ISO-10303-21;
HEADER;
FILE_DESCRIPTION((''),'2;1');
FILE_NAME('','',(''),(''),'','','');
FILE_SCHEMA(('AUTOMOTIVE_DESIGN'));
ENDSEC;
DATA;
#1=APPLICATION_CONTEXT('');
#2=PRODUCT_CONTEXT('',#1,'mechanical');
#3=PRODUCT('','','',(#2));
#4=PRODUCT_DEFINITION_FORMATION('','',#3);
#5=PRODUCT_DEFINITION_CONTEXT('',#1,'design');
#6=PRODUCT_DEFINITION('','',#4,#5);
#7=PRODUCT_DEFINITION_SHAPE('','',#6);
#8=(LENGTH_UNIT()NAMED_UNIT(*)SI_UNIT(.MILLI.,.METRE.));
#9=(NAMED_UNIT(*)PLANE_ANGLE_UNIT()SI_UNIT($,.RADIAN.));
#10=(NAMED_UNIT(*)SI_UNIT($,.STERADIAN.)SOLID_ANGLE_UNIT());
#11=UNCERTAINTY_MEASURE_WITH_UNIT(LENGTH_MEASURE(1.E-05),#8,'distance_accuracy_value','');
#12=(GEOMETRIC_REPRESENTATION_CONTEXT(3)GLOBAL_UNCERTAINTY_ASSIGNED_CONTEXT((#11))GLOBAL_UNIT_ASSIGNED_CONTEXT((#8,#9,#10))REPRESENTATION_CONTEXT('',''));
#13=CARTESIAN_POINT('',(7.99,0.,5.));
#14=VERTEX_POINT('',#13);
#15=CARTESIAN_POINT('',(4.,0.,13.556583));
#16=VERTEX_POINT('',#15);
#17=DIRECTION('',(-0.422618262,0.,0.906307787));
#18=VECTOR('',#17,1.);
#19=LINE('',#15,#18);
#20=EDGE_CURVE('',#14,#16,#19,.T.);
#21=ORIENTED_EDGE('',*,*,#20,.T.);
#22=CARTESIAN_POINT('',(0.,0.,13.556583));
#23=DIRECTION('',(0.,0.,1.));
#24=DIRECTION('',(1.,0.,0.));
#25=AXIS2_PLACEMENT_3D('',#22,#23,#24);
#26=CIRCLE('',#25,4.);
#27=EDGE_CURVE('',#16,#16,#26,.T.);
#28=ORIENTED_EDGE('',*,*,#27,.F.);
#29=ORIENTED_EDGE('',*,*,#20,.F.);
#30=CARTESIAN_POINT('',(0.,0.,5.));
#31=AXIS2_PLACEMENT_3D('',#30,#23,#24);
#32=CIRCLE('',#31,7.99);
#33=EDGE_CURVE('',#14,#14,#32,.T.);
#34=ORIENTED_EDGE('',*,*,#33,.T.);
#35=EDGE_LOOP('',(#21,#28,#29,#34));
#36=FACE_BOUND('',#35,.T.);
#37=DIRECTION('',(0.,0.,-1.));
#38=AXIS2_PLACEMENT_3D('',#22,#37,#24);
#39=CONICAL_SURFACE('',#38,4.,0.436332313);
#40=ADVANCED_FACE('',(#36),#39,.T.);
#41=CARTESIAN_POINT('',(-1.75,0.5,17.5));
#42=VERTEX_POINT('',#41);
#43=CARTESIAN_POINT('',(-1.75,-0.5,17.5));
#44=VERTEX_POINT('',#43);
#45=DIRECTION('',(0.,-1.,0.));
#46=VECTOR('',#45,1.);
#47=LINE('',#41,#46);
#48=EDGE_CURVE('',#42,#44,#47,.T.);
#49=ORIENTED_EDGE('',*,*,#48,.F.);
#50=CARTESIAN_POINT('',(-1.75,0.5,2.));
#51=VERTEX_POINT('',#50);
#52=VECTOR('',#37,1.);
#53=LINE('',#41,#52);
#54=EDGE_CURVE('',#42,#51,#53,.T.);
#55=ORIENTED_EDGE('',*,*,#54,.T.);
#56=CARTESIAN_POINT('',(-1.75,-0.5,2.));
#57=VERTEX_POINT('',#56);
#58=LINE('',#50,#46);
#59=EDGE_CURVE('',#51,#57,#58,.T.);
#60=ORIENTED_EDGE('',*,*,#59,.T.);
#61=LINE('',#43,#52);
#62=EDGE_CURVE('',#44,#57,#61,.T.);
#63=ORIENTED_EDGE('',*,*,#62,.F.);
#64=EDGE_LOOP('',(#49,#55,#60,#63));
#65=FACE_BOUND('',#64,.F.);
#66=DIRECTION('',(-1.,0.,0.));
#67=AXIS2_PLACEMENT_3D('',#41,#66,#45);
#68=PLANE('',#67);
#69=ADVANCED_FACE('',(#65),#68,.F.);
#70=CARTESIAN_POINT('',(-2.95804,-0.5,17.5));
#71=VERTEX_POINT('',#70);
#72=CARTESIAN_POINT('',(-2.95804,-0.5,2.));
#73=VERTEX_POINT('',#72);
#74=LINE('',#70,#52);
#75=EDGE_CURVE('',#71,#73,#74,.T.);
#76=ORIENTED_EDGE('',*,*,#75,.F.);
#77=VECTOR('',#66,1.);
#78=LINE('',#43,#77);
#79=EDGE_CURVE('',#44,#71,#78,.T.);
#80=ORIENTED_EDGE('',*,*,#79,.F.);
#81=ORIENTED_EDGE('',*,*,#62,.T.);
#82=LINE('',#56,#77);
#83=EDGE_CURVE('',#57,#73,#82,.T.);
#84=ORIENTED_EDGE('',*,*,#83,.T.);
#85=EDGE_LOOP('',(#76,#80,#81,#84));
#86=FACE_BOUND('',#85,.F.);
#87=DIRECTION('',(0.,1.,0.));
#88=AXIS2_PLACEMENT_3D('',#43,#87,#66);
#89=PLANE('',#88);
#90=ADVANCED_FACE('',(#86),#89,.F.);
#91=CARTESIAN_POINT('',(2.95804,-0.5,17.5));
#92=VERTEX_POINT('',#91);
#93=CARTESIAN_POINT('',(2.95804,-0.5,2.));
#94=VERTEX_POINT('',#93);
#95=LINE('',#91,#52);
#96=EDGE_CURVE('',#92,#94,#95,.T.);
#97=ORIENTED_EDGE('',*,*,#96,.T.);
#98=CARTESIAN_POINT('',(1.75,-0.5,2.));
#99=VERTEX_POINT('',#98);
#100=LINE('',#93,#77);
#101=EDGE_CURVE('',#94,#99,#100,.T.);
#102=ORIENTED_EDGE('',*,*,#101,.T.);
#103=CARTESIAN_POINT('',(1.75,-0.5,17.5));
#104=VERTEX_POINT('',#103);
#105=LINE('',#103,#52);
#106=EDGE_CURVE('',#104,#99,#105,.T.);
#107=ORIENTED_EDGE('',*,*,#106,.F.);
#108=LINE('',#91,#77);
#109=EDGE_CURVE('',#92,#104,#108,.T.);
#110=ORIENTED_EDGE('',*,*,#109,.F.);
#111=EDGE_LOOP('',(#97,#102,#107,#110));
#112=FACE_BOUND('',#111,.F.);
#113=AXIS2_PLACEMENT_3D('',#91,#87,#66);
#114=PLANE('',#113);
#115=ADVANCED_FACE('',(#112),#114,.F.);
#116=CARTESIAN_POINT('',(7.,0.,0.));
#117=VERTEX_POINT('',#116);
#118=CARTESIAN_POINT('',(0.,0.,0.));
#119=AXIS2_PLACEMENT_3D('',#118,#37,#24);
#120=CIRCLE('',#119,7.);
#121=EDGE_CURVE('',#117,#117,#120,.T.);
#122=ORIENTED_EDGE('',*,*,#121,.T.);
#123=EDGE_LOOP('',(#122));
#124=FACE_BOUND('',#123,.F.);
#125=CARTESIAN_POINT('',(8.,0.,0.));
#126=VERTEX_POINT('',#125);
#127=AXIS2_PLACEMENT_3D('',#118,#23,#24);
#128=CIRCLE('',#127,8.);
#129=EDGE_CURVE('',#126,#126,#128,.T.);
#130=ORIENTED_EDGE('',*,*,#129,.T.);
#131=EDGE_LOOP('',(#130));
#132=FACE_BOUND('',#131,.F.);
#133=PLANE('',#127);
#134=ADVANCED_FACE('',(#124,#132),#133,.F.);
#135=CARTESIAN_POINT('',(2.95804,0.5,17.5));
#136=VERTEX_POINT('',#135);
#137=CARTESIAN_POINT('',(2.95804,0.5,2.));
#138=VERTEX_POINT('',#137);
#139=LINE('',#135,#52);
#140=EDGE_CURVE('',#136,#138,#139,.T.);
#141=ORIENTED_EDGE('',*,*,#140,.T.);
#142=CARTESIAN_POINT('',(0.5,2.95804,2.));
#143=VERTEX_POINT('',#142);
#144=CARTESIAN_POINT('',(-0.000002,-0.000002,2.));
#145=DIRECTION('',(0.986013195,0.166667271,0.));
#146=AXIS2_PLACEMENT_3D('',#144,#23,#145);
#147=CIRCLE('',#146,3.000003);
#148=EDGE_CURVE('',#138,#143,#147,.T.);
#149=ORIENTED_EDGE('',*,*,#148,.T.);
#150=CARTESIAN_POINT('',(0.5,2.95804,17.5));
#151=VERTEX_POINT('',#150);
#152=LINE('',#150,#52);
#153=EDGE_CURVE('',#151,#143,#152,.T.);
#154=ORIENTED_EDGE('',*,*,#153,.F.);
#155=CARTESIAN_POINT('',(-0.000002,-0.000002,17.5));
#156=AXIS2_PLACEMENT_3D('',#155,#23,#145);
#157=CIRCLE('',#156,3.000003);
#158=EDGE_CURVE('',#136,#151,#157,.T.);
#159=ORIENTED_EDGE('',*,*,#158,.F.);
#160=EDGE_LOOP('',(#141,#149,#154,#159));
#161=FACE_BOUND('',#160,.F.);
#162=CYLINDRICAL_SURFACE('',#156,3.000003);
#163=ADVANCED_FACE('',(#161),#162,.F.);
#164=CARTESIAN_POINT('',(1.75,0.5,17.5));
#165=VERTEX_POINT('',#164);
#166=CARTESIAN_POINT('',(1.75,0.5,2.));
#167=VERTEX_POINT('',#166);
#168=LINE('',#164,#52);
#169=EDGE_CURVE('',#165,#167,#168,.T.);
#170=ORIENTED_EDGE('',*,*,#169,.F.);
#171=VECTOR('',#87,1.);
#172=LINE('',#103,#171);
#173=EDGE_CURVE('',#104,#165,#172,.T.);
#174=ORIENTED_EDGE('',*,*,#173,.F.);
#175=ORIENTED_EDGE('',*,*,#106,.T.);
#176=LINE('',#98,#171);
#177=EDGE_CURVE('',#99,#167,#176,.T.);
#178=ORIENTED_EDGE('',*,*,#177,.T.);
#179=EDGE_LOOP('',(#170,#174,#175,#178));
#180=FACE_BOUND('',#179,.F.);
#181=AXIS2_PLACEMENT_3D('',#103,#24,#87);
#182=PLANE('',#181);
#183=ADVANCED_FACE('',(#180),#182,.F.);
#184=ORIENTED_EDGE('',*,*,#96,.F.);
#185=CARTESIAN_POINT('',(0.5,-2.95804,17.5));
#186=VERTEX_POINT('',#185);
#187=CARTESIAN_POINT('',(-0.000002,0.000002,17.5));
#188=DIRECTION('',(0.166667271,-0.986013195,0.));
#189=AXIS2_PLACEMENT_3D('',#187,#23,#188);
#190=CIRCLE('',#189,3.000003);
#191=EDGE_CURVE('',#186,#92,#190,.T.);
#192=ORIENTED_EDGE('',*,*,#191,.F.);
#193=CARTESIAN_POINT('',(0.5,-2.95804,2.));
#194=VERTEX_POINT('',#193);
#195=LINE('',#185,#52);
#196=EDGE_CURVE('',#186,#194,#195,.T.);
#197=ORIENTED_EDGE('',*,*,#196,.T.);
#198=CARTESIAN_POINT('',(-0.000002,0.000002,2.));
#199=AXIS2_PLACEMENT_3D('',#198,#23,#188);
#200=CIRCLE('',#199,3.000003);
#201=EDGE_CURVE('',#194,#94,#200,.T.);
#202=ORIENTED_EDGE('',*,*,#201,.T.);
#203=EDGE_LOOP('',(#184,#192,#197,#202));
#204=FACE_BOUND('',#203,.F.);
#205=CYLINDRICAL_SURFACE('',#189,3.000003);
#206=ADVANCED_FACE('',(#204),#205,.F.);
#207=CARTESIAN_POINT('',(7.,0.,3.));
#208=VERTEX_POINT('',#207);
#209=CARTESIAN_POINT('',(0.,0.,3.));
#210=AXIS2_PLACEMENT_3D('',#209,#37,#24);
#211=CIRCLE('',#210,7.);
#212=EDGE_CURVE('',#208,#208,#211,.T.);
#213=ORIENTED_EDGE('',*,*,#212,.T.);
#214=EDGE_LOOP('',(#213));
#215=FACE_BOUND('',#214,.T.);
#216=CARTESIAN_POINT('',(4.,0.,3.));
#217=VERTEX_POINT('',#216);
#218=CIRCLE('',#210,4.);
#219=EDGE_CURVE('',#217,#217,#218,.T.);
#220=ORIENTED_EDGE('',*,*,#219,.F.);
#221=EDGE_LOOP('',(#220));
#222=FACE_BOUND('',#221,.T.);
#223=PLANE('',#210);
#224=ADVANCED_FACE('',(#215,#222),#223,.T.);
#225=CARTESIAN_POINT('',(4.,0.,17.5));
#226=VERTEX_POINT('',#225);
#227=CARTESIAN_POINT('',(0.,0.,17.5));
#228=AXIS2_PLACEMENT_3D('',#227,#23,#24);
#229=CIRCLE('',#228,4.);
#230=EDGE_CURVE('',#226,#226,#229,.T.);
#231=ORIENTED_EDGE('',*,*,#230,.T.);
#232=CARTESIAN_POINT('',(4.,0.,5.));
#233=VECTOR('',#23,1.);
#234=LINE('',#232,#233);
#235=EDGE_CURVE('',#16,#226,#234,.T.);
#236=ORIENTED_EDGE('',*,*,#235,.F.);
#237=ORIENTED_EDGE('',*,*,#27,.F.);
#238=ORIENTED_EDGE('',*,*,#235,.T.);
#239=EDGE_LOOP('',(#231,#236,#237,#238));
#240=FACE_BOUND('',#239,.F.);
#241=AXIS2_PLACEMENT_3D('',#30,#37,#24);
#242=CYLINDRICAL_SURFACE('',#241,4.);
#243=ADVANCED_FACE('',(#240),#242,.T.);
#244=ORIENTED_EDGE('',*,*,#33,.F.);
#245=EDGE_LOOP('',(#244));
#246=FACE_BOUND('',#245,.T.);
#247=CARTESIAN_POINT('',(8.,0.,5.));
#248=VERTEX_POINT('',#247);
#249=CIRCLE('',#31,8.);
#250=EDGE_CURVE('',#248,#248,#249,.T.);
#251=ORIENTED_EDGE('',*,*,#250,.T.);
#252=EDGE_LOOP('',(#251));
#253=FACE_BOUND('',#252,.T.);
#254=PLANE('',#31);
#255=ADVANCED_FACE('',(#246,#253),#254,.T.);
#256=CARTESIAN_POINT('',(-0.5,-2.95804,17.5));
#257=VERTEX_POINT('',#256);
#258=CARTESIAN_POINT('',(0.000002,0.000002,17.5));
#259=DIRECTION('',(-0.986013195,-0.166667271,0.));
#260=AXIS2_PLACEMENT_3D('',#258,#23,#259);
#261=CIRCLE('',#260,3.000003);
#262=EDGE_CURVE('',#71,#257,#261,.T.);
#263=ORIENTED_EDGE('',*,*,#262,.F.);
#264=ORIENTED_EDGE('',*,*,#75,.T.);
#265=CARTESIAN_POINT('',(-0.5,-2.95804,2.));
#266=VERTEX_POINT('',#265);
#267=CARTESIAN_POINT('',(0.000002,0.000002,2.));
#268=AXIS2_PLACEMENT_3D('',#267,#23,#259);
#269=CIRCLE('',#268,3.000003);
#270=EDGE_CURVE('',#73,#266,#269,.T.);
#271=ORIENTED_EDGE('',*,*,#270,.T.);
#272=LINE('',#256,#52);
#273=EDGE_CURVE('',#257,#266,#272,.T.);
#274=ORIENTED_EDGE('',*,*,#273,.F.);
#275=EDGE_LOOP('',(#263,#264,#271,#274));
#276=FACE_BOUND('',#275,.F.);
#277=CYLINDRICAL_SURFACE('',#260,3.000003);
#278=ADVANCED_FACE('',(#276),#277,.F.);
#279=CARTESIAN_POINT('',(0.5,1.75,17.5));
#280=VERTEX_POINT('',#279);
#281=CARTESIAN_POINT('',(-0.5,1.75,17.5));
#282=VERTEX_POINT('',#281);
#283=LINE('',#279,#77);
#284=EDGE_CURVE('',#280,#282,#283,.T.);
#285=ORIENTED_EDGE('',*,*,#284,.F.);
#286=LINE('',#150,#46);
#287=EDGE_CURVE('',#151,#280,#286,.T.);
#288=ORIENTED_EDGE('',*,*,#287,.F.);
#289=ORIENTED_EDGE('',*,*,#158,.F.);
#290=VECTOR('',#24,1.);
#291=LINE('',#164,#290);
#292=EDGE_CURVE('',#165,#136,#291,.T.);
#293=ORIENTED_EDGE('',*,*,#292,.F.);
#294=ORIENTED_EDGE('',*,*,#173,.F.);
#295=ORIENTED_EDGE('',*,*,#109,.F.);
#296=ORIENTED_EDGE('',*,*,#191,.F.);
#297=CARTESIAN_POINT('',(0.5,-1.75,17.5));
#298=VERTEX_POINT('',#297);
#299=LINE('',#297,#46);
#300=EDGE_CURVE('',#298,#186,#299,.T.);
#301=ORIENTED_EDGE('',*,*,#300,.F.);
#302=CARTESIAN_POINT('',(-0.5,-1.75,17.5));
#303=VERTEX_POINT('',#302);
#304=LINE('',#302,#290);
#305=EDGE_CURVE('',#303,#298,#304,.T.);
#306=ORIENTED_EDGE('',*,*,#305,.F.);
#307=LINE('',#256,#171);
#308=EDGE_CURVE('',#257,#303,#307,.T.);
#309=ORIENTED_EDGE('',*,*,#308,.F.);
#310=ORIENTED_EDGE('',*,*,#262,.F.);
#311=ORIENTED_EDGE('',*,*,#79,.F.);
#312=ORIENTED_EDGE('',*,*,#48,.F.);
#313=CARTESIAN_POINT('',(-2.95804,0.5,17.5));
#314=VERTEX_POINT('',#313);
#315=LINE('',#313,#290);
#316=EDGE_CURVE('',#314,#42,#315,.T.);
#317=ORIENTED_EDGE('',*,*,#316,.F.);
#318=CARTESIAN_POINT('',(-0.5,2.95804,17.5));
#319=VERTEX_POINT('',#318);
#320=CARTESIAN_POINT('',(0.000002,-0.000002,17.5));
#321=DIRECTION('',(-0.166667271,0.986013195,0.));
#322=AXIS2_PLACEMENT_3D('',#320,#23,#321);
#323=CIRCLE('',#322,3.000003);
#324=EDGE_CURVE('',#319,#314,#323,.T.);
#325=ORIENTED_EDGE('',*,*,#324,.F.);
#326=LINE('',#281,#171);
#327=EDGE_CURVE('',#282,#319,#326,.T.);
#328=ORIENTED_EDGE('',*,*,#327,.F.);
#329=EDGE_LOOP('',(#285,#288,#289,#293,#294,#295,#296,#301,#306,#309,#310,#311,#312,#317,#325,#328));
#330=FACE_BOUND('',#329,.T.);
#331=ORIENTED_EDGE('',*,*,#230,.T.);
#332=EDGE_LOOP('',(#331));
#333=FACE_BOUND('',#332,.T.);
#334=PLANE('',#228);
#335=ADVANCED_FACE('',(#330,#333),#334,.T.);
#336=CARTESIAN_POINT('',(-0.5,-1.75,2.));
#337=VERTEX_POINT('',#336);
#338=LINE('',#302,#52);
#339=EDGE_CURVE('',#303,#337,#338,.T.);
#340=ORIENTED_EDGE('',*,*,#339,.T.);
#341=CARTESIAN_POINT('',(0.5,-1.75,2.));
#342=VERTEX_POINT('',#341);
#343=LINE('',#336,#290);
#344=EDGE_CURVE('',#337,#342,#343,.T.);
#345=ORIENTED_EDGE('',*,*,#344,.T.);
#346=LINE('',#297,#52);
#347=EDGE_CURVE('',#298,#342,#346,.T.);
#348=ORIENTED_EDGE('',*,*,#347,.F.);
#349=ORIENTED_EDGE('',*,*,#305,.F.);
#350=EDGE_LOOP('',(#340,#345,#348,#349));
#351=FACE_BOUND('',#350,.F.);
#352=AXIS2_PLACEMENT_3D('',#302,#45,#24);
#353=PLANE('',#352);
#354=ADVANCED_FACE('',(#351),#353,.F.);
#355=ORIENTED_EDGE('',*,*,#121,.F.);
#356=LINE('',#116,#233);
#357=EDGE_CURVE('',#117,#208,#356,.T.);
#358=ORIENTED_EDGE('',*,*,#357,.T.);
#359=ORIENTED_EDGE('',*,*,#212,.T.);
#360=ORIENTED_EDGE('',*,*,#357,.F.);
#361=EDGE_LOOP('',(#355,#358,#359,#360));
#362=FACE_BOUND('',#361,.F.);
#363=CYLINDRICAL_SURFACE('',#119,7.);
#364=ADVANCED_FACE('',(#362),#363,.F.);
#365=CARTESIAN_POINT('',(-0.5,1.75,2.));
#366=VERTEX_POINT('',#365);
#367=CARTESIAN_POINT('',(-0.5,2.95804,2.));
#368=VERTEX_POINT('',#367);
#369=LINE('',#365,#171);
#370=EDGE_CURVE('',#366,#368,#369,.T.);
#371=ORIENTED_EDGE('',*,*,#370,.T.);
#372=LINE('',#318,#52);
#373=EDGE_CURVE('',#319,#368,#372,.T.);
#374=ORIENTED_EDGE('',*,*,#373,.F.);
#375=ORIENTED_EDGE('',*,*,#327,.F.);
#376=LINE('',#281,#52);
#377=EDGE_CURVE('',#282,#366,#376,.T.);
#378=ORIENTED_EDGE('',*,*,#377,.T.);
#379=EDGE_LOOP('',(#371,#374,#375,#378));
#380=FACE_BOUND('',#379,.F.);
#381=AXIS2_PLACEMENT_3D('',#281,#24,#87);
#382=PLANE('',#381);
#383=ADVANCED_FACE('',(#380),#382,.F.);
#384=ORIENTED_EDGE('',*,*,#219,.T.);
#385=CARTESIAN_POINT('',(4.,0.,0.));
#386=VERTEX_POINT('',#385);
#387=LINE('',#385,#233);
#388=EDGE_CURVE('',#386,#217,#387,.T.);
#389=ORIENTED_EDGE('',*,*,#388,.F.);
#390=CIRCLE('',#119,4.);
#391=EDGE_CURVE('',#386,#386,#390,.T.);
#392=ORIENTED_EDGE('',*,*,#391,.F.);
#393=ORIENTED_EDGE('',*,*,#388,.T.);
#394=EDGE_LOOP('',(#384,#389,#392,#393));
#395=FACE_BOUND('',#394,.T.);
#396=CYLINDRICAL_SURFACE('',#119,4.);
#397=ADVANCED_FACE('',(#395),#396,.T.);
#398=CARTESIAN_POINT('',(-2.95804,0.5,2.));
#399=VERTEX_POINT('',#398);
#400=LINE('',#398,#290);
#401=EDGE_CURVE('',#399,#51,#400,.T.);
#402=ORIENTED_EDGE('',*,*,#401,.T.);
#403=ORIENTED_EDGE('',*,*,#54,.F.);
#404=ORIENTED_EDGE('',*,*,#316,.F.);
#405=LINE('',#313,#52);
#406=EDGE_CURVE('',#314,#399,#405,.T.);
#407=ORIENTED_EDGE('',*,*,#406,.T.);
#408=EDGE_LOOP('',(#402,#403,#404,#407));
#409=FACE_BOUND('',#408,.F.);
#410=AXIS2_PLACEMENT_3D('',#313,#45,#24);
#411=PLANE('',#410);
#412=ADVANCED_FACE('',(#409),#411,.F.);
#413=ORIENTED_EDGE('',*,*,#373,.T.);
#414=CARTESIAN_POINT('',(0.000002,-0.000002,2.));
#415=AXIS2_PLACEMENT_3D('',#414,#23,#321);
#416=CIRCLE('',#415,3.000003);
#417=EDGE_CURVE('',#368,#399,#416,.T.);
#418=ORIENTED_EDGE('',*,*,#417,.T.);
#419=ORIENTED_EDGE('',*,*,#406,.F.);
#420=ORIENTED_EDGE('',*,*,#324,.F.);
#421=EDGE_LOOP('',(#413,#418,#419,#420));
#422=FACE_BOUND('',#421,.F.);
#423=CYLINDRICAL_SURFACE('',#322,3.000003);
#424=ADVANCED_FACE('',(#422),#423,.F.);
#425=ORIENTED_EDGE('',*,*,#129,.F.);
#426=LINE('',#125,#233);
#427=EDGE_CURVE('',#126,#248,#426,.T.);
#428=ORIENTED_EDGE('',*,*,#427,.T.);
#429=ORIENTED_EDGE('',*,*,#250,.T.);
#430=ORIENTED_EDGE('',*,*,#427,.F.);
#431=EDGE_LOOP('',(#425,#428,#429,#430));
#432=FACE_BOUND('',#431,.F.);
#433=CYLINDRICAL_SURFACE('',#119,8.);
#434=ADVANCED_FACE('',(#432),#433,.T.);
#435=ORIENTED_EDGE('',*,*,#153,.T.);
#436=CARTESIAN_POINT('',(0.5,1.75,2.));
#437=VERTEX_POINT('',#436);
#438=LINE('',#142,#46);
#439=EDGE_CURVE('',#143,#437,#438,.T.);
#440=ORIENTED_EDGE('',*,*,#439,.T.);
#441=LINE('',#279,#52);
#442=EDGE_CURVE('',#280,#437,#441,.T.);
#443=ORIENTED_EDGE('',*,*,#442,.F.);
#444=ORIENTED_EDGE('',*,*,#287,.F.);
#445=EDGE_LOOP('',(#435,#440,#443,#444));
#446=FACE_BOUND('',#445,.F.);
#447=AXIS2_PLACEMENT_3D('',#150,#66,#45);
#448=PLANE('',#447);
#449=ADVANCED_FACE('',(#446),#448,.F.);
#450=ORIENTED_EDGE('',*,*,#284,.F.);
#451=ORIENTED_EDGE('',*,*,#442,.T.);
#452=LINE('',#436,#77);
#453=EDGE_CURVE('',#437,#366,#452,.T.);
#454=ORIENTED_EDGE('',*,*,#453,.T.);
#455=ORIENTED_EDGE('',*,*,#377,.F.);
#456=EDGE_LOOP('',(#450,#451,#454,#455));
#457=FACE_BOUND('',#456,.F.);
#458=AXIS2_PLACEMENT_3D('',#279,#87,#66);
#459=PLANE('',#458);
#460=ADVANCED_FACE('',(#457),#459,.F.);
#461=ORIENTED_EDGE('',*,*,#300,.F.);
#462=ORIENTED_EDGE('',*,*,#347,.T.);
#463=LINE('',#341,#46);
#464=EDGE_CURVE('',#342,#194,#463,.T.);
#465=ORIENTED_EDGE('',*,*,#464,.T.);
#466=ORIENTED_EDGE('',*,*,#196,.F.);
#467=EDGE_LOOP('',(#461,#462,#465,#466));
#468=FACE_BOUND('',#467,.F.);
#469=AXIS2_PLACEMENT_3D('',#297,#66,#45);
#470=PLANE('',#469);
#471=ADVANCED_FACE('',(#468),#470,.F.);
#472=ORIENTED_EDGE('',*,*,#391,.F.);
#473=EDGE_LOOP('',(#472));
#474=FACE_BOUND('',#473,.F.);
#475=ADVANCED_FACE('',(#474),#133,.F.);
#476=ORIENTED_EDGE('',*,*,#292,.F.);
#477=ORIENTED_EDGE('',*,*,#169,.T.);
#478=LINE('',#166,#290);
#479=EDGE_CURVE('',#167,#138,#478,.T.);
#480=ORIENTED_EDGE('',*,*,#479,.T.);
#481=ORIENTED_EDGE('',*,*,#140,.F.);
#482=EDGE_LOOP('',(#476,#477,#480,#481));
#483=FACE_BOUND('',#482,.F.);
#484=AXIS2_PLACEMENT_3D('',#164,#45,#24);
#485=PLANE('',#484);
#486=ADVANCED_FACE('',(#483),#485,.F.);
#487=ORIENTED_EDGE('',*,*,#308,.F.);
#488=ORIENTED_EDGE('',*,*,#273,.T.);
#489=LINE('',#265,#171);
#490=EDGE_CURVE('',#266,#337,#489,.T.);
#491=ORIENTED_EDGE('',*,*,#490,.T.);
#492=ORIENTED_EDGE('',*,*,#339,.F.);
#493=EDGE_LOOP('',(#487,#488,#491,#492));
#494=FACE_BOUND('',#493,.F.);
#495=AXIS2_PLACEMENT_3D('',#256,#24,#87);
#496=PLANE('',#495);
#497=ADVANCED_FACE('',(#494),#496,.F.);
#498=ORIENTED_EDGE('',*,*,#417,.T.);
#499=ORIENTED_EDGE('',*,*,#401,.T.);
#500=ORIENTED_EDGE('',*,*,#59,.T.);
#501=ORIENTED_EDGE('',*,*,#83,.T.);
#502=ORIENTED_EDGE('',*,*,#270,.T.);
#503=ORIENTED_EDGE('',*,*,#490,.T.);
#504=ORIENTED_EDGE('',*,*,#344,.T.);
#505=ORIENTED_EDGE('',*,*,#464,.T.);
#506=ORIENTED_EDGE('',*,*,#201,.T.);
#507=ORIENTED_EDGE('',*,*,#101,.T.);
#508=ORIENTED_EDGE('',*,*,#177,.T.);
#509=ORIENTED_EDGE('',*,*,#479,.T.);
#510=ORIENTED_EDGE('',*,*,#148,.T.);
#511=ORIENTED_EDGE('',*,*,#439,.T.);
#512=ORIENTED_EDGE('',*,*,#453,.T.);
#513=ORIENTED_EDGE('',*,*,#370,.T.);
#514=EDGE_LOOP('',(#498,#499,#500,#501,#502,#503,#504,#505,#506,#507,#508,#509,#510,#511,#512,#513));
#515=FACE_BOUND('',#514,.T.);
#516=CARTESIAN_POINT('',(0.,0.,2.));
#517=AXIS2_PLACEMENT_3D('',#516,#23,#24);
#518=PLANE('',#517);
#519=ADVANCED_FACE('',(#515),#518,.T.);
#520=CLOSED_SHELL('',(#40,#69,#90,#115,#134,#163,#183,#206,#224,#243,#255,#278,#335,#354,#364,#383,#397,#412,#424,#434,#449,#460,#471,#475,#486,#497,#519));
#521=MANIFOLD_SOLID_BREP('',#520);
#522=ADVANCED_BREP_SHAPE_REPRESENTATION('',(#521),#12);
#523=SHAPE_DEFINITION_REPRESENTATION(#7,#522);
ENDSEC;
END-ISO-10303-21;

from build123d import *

# Parameters (mm, degrees)
SKETCH005_R     = 8
PAD003_DEPTH    = 5
SKETCH006_R     = 4
PAD004_DEPTH    = 12.5
SKETCH008_R     = 7
SKETCH008_R_2   = 4
POCKET002_DEPTH = 3
POCKET003_DEPTH = 15.5
CHAMFER_ANGLE   = 65
CHAMFER_SIZE    = 3.99


with BuildPart() as part:
    # Sketch005 → Pad003 (new body)
    with BuildSketch(Plane.XY):
        Circle(SKETCH005_R)
    extrude(amount=PAD003_DEPTH)

    # Sketch006 (on Face3 of Pad003) → Pad004 (join)
    with BuildSketch(Plane.XY.offset(5)):
        Circle(SKETCH006_R)
    extrude(amount=PAD004_DEPTH)

    # Sketch008 (on Face2 of Pad004) → Pocket002 (cut)
    with BuildSketch(Plane(origin=(0, 0, 0), x_dir=(1, 0, 0), z_dir=(0, 0, -1))):
        Circle(SKETCH008_R)
        Circle(SKETCH008_R_2, mode=Mode.SUBTRACT)
    extrude(amount=-POCKET002_DEPTH, mode=Mode.SUBTRACT)

    # Sketch007 (on Face5 of Pad004) → Pocket003 (cut)
    with BuildSketch(Plane.XY.offset(17.5)):
        with BuildLine():
            ThreePointArc((-0.5, 2.95804), (-2.12132, 2.12132), (-2.95804, 0.5))
            Line((-2.95804, 0.5), (-1.75, 0.5))
            Line((-1.75, 0.5), (-1.75, -0.5))
            Line((-1.75, -0.5), (-2.95804, -0.5))
            ThreePointArc((-2.95804, -0.5), (-2.12132, -2.12132), (-0.5, -2.95804))
            Line((-0.5, -2.95804), (-0.5, -1.75))
            Line((-0.5, -1.75), (0.5, -1.75))
            Line((0.5, -1.75), (0.5, -2.95804))
            ThreePointArc((0.5, -2.95804), (2.12132, -2.12132), (2.95804, -0.5))
            Line((2.95804, -0.5), (1.75, -0.5))
            Line((1.75, -0.5), (1.75, 0.5))
            Line((1.75, 0.5), (2.95804, 0.5))
            ThreePointArc((2.95804, 0.5), (2.12132, 2.12132), (0.5, 2.95804))
            Line((0.5, 2.95804), (0.5, 1.75))
            Line((0.5, 1.75), (-0.5, 1.75))
            Line((-0.5, 1.75), (-0.5, 2.95804))
        make_face()
    extrude(amount=-POCKET003_DEPTH, mode=Mode.SUBTRACT)

    # Chamfer
    chamfer_edges = [part.edges().sort_by_distance(p)[0] for p in [
        (-4, 0, 5),
    ]]
    chamfer_side = part.faces().sort_by_distance((-7.773726, 0, 5))[0]
    chamfer(chamfer_edges, length=CHAMFER_SIZE, angle=CHAMFER_ANGLE, reference=chamfer_side)


solid = part.part
